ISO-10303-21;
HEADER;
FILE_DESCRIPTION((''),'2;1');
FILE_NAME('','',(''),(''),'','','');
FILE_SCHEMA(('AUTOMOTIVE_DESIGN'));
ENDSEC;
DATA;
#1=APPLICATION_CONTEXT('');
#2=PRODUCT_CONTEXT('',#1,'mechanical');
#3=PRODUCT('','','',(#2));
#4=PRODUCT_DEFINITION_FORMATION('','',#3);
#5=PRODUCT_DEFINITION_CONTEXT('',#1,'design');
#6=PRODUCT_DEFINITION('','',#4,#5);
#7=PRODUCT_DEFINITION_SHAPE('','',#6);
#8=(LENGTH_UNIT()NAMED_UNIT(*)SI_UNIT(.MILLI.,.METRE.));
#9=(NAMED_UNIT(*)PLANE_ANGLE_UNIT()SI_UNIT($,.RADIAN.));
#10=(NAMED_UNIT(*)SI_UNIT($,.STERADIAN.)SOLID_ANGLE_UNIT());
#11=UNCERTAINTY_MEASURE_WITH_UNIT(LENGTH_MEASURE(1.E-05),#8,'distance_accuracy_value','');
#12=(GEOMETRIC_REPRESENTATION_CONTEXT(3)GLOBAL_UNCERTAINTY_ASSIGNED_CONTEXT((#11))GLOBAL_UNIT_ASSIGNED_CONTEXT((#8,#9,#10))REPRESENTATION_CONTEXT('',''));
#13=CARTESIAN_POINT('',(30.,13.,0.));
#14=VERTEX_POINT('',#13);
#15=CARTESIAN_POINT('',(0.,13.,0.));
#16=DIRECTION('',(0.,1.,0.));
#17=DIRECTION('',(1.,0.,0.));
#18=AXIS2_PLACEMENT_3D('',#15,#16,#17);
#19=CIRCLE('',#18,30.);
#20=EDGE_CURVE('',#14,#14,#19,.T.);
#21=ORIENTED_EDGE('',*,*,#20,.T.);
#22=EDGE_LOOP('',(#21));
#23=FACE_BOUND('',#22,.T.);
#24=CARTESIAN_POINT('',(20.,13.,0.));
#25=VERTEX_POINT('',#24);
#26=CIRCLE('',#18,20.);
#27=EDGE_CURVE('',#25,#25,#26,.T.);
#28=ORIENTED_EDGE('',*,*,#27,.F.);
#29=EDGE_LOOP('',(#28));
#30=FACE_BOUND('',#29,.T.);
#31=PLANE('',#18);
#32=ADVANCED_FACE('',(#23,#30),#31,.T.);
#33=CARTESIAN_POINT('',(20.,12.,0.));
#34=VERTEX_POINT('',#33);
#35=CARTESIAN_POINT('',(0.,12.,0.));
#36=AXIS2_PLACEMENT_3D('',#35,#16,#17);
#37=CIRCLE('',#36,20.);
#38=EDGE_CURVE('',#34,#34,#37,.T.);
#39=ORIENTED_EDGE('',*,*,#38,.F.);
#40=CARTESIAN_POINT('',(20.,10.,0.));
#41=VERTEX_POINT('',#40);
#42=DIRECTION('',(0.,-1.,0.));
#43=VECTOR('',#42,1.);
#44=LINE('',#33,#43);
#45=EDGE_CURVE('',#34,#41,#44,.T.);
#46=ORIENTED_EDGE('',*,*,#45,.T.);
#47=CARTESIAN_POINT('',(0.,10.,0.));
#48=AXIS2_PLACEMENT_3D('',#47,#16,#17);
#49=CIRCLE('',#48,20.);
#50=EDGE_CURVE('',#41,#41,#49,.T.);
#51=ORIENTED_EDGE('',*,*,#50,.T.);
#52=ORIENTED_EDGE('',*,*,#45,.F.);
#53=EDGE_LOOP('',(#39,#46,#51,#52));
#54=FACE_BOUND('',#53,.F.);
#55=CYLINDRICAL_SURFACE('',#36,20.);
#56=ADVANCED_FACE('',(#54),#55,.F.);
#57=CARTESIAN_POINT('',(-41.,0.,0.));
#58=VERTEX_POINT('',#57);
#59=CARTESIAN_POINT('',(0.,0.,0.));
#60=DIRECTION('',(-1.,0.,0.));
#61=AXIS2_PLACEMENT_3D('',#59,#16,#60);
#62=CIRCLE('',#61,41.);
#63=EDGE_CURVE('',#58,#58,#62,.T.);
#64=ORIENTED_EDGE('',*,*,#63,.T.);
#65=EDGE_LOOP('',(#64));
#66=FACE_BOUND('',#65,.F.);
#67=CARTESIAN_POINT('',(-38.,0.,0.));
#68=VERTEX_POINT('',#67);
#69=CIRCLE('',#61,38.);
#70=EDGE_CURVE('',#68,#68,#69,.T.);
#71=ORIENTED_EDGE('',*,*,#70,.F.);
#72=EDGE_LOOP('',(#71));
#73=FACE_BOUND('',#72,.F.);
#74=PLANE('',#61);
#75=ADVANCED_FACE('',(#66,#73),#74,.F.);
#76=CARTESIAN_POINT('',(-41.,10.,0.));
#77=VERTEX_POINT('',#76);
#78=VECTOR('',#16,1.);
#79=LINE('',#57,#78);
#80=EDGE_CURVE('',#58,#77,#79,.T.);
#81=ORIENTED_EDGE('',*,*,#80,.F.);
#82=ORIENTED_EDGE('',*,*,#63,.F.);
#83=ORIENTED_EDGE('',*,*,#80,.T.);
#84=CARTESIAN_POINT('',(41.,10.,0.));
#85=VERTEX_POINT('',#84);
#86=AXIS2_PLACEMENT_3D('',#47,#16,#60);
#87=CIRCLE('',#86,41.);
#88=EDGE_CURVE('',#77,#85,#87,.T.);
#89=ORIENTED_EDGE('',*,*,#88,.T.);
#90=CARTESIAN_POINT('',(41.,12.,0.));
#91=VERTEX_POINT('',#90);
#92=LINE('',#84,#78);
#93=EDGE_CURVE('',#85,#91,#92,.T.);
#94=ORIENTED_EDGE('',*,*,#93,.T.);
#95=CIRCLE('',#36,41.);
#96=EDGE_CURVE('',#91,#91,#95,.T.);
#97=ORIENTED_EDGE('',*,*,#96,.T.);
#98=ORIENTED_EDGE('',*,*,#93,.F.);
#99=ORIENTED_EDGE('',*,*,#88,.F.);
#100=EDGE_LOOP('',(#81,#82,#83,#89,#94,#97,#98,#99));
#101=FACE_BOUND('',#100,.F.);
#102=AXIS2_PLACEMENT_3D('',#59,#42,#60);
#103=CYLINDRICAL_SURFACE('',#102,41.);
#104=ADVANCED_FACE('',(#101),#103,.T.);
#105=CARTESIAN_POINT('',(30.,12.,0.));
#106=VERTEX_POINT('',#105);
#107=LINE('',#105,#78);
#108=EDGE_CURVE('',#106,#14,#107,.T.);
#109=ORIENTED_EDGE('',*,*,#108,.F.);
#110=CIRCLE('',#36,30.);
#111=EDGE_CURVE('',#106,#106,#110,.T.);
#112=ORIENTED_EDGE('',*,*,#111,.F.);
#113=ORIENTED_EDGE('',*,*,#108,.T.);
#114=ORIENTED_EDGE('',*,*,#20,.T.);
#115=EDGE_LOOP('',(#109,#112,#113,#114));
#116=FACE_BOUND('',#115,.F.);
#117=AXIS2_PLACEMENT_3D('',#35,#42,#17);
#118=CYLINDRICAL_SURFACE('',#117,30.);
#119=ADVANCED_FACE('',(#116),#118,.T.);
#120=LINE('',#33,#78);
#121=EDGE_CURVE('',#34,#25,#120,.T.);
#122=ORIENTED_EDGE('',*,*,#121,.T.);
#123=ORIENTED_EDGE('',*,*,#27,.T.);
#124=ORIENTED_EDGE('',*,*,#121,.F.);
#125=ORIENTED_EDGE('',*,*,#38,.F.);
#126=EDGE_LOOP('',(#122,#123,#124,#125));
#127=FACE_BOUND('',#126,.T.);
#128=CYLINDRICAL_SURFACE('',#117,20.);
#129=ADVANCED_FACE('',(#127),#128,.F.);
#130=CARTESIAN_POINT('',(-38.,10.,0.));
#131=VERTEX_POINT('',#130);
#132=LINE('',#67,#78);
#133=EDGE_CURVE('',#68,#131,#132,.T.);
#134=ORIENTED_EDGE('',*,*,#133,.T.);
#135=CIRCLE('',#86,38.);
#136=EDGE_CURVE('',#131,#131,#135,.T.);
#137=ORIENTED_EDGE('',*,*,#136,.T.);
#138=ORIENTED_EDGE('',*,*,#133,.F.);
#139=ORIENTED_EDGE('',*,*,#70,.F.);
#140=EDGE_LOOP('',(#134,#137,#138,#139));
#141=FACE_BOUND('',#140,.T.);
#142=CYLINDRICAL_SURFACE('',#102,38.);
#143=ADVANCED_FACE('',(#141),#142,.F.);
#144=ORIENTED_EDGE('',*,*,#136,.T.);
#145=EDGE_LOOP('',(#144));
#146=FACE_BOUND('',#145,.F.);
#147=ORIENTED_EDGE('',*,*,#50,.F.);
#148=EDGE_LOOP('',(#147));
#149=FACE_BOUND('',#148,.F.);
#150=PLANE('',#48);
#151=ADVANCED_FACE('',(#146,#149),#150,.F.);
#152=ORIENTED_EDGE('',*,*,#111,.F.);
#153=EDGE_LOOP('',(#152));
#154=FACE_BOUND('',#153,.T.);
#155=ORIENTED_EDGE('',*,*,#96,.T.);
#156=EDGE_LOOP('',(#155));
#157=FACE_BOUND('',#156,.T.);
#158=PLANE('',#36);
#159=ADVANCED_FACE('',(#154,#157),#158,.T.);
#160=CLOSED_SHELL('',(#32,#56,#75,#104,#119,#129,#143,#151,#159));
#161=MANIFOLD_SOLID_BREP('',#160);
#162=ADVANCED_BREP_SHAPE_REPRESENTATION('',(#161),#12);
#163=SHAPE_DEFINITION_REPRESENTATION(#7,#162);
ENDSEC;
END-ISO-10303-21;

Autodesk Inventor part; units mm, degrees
ref_plane "YZ Plane" through (0, 0, 0) normal (1, 0, 0) x (0, 1, 0)
ref_plane "XZ Plane" through (0, 0, 0) normal (0, 1, 0) x (-1, 0, 0)
ref_plane "XY Plane" through (0, 0, 0) normal (0, 0, 1) x (1, 0, 0)
sketch "スケッチ1" plane through (0, 0, 0) normal (0, 1, 0) x (-1, 0, 0)
  circle A0 centre (0, 0) radius 38
  circle A1 centre (0, 0) radius 41
  dimension "d0" = 76
  dimension "d1" = 82
extrude "押し出し1" add sketch "スケッチ1" along normal blind 10
sketch "スケッチ2" plane through (0, 10, 0) normal (0, 1, 0) x (1, 0, 0)
  circle A0 centre (0, 0) radius 41 projected
extrude "押し出し2" add sketch "スケッチ2" along normal blind 2
sketch "スケッチ3" plane through (0, 12, 0) normal (0, 1, 0) x (1, 0, 0)
  circle A0 centre (0, 0) radius 41 projected
sketch "スケッチ4" plane through (0, 12, 0) normal (0, 1, 0) x (1, 0, 0)
  circle A0 centre (0, 0) radius 41 projected
  circle A1 centre (0, 0) radius 20
  dimension "d6" = 40
extrude "押し出し3" cut sketch "スケッチ4" against normal blind 10 contours A1
sketch "スケッチ5" plane through (0, 12, 0) normal (0, 1, 0) x (1, 0, 0)
  circle A0 centre (0, 0) radius 20 projected
  circle A1 centre (0, 0) radius 41 projected
  circle A2 centre (0, 0) radius 30
  dimension "d9" = 60
extrude "押し出し4" add sketch "スケッチ5" along normal blind 1 contours A2
properties part number "知能ロボコン大砲３"
